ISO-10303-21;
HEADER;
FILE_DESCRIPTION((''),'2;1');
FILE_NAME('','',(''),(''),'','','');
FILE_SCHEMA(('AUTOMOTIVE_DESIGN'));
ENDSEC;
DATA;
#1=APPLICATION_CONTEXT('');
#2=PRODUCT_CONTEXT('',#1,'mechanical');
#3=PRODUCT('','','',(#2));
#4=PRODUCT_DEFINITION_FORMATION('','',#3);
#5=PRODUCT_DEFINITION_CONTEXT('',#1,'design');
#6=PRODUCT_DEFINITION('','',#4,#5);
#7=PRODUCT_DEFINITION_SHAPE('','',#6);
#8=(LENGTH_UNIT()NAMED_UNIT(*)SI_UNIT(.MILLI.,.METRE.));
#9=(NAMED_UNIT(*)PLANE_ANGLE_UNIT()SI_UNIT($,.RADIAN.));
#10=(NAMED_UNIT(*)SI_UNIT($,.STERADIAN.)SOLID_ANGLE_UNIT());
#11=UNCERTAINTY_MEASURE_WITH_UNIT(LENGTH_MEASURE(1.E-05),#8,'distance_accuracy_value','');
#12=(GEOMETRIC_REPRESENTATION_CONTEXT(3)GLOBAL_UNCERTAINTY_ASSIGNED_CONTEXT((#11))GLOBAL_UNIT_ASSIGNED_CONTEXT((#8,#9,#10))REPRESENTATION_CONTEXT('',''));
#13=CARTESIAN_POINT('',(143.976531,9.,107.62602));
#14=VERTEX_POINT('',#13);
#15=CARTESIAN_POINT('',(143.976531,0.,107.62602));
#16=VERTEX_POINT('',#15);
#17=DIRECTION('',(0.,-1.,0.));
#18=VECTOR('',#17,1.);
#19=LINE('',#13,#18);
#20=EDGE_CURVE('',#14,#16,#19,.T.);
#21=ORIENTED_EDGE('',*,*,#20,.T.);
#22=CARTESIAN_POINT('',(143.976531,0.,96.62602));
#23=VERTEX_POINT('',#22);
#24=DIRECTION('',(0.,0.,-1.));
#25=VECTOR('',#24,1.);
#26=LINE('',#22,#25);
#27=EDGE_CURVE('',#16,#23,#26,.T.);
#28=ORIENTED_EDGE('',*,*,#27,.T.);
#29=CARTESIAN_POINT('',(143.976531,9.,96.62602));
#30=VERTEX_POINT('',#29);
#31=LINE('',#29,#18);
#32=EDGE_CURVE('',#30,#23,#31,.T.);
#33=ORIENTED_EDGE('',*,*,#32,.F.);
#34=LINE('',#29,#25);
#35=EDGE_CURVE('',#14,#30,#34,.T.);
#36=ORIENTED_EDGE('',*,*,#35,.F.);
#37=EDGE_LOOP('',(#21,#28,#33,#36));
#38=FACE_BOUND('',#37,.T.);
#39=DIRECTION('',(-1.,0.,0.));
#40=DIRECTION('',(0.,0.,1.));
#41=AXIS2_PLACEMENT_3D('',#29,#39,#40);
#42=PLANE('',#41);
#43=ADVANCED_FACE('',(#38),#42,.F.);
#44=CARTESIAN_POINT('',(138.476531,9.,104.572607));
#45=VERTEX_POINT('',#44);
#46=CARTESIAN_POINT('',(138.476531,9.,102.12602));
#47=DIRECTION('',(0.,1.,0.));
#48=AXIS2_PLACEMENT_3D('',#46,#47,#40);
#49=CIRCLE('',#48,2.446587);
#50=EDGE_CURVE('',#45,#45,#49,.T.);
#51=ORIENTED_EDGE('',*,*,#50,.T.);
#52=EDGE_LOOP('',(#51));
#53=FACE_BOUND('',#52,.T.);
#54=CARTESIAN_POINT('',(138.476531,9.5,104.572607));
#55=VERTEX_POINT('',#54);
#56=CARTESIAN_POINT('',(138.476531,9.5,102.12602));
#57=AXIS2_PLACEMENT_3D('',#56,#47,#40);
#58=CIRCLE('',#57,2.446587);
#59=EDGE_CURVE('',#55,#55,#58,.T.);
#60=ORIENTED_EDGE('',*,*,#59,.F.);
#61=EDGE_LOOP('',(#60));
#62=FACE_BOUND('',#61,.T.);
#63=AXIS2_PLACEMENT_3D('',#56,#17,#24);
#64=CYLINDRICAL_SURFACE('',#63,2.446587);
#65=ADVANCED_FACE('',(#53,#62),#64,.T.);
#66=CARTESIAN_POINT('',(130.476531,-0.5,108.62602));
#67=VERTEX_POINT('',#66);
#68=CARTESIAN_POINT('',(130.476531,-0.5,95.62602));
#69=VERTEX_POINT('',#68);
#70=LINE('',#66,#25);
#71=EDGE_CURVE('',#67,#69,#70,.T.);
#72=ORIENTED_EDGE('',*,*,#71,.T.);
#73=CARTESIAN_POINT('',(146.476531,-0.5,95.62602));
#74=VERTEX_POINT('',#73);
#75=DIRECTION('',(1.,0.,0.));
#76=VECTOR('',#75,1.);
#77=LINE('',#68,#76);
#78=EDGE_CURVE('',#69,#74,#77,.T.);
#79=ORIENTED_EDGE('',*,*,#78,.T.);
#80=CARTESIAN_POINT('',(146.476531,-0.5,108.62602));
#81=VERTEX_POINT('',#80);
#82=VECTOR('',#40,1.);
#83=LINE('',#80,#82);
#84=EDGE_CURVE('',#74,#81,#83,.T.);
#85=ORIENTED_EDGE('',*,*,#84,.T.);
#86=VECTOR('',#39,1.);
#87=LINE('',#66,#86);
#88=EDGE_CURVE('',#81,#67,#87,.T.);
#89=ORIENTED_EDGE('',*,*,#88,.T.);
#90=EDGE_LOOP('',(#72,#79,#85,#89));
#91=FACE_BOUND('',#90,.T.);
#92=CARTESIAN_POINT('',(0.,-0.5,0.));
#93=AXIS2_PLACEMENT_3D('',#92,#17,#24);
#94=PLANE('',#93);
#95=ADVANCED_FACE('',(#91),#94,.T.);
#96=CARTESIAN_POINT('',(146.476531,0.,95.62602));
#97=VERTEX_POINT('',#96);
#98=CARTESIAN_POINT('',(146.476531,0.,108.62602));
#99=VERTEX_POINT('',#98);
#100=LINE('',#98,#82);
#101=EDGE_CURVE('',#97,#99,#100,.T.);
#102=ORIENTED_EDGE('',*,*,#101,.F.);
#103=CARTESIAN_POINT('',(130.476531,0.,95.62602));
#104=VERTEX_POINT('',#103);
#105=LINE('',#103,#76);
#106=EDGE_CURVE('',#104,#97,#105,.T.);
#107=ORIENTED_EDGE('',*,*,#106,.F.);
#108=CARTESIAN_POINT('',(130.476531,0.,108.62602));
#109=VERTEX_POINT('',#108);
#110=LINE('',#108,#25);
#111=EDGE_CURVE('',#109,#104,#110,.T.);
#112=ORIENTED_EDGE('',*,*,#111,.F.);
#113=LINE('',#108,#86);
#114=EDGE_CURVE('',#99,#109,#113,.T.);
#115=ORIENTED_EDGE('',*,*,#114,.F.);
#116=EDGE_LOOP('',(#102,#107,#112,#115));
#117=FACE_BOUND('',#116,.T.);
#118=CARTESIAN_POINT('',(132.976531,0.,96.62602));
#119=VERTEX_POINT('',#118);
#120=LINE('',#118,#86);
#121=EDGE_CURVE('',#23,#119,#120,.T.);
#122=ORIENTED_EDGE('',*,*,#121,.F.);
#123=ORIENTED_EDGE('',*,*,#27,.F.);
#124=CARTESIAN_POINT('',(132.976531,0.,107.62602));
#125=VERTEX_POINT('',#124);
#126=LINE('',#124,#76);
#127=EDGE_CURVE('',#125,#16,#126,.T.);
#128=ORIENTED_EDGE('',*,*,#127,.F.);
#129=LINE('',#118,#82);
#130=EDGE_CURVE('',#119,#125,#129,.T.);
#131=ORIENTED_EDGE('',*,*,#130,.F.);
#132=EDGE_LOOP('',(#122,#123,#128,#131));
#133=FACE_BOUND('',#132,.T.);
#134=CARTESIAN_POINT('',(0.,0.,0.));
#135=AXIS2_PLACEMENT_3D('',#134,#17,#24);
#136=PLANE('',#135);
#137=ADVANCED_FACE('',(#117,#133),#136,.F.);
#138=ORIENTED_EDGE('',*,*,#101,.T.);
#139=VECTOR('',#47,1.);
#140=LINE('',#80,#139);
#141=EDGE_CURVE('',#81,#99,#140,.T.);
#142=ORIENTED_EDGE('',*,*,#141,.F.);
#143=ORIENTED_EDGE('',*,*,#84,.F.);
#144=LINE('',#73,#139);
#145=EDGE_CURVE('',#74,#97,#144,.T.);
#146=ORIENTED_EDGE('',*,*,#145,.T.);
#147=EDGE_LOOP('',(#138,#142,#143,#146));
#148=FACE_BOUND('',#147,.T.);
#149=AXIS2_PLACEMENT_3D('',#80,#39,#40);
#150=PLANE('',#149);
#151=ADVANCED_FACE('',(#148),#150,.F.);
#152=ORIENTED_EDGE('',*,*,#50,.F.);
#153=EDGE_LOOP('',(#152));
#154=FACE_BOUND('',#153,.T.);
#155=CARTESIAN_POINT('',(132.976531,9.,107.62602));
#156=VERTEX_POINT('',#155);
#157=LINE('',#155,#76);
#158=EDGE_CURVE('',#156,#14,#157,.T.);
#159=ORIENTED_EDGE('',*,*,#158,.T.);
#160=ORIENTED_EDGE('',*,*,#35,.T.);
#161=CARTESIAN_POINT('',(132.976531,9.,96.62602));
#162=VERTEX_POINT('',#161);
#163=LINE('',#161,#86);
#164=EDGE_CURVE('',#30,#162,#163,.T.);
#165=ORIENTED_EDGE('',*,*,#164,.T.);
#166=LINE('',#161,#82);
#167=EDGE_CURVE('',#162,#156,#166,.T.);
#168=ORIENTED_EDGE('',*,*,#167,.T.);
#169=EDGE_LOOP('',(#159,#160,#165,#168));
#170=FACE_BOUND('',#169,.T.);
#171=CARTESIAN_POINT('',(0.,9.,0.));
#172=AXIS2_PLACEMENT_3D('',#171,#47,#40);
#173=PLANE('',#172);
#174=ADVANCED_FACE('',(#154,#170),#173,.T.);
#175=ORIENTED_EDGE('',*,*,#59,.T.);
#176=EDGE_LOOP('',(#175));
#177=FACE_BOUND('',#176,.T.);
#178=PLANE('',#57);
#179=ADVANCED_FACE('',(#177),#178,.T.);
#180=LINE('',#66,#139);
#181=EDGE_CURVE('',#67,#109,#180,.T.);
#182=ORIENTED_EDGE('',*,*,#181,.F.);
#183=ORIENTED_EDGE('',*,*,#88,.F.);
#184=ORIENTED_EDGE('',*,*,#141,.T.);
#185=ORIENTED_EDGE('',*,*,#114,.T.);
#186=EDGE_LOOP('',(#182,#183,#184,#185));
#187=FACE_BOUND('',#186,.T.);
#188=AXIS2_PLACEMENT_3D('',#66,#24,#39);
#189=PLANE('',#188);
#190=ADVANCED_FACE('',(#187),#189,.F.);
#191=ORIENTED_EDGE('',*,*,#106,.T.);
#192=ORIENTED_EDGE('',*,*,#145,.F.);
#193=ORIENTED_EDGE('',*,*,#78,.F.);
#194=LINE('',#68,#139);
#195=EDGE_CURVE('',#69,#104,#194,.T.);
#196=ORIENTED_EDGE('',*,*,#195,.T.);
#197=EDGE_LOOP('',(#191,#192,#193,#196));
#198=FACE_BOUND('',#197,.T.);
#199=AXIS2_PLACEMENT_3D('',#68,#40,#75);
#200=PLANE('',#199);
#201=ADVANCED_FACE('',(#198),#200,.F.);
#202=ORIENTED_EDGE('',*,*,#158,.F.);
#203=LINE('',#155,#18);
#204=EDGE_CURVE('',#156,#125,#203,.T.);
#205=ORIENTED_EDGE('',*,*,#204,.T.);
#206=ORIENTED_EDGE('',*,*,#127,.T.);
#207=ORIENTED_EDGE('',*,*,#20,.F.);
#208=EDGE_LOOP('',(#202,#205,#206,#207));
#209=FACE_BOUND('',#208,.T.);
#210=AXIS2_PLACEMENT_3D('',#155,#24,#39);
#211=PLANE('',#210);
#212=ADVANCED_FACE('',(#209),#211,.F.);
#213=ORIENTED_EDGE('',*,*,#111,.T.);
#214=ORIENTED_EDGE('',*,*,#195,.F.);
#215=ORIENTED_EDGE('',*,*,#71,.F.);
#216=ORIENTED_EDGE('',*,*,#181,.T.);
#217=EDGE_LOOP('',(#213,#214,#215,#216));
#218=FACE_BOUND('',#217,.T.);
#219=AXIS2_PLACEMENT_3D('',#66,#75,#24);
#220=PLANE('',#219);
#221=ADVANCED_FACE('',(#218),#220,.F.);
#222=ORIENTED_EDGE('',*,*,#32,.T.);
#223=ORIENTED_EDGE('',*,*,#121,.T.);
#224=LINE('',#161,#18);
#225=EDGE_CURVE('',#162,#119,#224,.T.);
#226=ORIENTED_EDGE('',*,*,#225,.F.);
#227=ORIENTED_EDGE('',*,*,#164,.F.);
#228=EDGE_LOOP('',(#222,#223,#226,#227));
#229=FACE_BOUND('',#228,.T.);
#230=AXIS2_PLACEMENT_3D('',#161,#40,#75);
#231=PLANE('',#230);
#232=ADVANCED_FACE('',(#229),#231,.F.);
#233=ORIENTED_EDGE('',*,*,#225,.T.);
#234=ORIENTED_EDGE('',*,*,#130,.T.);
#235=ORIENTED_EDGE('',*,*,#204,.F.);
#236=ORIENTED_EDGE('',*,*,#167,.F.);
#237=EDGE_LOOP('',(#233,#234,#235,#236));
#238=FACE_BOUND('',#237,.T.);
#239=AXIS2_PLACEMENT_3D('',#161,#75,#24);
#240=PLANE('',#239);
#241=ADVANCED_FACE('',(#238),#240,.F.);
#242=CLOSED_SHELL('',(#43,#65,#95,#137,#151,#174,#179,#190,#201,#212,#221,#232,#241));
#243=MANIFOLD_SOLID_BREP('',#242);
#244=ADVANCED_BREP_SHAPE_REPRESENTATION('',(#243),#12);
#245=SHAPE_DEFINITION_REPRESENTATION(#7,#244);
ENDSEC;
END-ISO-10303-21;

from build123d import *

# Parameters (mm, degrees)
SKETCH1_W           = 11
SKETCH1_H           = 11
BOSS_EXTRUDE1_DEPTH = 9
SKETCH2_W           = 16
SKETCH2_H           = 13
BOSS_EXTRUDE2_DEPTH = 0.5
SKETCH3_R           = 2.446587027
BOSS_EXTRUDE3_DEPTH = 0.5


with BuildPart() as part:
    # Sketch1 → Boss-Extrude1 (new body)
    with BuildSketch(Plane(origin=(0, 0, 0), x_dir=(1, 0, 0), z_dir=(0, 1, 0))):
        with Locations((138.476530612, -102.126020408)):
            Rectangle(SKETCH1_W, SKETCH1_H)
    extrude(amount=BOSS_EXTRUDE1_DEPTH)

    # Sketch2 → Boss-Extrude2 (add)
    with BuildSketch(Plane.XZ):
        with Locations((138.476530612, 102.126020408)):
            Rectangle(SKETCH2_W, SKETCH2_H)
    extrude(amount=BOSS_EXTRUDE2_DEPTH)

    # Sketch3 → Boss-Extrude3 (add)
    with BuildSketch(Plane(origin=(0, 9, 0), x_dir=(1, 0, 0), z_dir=(0, 1, 0))):
        with Locations((138.476530612, -102.126020408)):
            Circle(SKETCH3_R)
    extrude(amount=BOSS_EXTRUDE3_DEPTH)


solid = part.part
